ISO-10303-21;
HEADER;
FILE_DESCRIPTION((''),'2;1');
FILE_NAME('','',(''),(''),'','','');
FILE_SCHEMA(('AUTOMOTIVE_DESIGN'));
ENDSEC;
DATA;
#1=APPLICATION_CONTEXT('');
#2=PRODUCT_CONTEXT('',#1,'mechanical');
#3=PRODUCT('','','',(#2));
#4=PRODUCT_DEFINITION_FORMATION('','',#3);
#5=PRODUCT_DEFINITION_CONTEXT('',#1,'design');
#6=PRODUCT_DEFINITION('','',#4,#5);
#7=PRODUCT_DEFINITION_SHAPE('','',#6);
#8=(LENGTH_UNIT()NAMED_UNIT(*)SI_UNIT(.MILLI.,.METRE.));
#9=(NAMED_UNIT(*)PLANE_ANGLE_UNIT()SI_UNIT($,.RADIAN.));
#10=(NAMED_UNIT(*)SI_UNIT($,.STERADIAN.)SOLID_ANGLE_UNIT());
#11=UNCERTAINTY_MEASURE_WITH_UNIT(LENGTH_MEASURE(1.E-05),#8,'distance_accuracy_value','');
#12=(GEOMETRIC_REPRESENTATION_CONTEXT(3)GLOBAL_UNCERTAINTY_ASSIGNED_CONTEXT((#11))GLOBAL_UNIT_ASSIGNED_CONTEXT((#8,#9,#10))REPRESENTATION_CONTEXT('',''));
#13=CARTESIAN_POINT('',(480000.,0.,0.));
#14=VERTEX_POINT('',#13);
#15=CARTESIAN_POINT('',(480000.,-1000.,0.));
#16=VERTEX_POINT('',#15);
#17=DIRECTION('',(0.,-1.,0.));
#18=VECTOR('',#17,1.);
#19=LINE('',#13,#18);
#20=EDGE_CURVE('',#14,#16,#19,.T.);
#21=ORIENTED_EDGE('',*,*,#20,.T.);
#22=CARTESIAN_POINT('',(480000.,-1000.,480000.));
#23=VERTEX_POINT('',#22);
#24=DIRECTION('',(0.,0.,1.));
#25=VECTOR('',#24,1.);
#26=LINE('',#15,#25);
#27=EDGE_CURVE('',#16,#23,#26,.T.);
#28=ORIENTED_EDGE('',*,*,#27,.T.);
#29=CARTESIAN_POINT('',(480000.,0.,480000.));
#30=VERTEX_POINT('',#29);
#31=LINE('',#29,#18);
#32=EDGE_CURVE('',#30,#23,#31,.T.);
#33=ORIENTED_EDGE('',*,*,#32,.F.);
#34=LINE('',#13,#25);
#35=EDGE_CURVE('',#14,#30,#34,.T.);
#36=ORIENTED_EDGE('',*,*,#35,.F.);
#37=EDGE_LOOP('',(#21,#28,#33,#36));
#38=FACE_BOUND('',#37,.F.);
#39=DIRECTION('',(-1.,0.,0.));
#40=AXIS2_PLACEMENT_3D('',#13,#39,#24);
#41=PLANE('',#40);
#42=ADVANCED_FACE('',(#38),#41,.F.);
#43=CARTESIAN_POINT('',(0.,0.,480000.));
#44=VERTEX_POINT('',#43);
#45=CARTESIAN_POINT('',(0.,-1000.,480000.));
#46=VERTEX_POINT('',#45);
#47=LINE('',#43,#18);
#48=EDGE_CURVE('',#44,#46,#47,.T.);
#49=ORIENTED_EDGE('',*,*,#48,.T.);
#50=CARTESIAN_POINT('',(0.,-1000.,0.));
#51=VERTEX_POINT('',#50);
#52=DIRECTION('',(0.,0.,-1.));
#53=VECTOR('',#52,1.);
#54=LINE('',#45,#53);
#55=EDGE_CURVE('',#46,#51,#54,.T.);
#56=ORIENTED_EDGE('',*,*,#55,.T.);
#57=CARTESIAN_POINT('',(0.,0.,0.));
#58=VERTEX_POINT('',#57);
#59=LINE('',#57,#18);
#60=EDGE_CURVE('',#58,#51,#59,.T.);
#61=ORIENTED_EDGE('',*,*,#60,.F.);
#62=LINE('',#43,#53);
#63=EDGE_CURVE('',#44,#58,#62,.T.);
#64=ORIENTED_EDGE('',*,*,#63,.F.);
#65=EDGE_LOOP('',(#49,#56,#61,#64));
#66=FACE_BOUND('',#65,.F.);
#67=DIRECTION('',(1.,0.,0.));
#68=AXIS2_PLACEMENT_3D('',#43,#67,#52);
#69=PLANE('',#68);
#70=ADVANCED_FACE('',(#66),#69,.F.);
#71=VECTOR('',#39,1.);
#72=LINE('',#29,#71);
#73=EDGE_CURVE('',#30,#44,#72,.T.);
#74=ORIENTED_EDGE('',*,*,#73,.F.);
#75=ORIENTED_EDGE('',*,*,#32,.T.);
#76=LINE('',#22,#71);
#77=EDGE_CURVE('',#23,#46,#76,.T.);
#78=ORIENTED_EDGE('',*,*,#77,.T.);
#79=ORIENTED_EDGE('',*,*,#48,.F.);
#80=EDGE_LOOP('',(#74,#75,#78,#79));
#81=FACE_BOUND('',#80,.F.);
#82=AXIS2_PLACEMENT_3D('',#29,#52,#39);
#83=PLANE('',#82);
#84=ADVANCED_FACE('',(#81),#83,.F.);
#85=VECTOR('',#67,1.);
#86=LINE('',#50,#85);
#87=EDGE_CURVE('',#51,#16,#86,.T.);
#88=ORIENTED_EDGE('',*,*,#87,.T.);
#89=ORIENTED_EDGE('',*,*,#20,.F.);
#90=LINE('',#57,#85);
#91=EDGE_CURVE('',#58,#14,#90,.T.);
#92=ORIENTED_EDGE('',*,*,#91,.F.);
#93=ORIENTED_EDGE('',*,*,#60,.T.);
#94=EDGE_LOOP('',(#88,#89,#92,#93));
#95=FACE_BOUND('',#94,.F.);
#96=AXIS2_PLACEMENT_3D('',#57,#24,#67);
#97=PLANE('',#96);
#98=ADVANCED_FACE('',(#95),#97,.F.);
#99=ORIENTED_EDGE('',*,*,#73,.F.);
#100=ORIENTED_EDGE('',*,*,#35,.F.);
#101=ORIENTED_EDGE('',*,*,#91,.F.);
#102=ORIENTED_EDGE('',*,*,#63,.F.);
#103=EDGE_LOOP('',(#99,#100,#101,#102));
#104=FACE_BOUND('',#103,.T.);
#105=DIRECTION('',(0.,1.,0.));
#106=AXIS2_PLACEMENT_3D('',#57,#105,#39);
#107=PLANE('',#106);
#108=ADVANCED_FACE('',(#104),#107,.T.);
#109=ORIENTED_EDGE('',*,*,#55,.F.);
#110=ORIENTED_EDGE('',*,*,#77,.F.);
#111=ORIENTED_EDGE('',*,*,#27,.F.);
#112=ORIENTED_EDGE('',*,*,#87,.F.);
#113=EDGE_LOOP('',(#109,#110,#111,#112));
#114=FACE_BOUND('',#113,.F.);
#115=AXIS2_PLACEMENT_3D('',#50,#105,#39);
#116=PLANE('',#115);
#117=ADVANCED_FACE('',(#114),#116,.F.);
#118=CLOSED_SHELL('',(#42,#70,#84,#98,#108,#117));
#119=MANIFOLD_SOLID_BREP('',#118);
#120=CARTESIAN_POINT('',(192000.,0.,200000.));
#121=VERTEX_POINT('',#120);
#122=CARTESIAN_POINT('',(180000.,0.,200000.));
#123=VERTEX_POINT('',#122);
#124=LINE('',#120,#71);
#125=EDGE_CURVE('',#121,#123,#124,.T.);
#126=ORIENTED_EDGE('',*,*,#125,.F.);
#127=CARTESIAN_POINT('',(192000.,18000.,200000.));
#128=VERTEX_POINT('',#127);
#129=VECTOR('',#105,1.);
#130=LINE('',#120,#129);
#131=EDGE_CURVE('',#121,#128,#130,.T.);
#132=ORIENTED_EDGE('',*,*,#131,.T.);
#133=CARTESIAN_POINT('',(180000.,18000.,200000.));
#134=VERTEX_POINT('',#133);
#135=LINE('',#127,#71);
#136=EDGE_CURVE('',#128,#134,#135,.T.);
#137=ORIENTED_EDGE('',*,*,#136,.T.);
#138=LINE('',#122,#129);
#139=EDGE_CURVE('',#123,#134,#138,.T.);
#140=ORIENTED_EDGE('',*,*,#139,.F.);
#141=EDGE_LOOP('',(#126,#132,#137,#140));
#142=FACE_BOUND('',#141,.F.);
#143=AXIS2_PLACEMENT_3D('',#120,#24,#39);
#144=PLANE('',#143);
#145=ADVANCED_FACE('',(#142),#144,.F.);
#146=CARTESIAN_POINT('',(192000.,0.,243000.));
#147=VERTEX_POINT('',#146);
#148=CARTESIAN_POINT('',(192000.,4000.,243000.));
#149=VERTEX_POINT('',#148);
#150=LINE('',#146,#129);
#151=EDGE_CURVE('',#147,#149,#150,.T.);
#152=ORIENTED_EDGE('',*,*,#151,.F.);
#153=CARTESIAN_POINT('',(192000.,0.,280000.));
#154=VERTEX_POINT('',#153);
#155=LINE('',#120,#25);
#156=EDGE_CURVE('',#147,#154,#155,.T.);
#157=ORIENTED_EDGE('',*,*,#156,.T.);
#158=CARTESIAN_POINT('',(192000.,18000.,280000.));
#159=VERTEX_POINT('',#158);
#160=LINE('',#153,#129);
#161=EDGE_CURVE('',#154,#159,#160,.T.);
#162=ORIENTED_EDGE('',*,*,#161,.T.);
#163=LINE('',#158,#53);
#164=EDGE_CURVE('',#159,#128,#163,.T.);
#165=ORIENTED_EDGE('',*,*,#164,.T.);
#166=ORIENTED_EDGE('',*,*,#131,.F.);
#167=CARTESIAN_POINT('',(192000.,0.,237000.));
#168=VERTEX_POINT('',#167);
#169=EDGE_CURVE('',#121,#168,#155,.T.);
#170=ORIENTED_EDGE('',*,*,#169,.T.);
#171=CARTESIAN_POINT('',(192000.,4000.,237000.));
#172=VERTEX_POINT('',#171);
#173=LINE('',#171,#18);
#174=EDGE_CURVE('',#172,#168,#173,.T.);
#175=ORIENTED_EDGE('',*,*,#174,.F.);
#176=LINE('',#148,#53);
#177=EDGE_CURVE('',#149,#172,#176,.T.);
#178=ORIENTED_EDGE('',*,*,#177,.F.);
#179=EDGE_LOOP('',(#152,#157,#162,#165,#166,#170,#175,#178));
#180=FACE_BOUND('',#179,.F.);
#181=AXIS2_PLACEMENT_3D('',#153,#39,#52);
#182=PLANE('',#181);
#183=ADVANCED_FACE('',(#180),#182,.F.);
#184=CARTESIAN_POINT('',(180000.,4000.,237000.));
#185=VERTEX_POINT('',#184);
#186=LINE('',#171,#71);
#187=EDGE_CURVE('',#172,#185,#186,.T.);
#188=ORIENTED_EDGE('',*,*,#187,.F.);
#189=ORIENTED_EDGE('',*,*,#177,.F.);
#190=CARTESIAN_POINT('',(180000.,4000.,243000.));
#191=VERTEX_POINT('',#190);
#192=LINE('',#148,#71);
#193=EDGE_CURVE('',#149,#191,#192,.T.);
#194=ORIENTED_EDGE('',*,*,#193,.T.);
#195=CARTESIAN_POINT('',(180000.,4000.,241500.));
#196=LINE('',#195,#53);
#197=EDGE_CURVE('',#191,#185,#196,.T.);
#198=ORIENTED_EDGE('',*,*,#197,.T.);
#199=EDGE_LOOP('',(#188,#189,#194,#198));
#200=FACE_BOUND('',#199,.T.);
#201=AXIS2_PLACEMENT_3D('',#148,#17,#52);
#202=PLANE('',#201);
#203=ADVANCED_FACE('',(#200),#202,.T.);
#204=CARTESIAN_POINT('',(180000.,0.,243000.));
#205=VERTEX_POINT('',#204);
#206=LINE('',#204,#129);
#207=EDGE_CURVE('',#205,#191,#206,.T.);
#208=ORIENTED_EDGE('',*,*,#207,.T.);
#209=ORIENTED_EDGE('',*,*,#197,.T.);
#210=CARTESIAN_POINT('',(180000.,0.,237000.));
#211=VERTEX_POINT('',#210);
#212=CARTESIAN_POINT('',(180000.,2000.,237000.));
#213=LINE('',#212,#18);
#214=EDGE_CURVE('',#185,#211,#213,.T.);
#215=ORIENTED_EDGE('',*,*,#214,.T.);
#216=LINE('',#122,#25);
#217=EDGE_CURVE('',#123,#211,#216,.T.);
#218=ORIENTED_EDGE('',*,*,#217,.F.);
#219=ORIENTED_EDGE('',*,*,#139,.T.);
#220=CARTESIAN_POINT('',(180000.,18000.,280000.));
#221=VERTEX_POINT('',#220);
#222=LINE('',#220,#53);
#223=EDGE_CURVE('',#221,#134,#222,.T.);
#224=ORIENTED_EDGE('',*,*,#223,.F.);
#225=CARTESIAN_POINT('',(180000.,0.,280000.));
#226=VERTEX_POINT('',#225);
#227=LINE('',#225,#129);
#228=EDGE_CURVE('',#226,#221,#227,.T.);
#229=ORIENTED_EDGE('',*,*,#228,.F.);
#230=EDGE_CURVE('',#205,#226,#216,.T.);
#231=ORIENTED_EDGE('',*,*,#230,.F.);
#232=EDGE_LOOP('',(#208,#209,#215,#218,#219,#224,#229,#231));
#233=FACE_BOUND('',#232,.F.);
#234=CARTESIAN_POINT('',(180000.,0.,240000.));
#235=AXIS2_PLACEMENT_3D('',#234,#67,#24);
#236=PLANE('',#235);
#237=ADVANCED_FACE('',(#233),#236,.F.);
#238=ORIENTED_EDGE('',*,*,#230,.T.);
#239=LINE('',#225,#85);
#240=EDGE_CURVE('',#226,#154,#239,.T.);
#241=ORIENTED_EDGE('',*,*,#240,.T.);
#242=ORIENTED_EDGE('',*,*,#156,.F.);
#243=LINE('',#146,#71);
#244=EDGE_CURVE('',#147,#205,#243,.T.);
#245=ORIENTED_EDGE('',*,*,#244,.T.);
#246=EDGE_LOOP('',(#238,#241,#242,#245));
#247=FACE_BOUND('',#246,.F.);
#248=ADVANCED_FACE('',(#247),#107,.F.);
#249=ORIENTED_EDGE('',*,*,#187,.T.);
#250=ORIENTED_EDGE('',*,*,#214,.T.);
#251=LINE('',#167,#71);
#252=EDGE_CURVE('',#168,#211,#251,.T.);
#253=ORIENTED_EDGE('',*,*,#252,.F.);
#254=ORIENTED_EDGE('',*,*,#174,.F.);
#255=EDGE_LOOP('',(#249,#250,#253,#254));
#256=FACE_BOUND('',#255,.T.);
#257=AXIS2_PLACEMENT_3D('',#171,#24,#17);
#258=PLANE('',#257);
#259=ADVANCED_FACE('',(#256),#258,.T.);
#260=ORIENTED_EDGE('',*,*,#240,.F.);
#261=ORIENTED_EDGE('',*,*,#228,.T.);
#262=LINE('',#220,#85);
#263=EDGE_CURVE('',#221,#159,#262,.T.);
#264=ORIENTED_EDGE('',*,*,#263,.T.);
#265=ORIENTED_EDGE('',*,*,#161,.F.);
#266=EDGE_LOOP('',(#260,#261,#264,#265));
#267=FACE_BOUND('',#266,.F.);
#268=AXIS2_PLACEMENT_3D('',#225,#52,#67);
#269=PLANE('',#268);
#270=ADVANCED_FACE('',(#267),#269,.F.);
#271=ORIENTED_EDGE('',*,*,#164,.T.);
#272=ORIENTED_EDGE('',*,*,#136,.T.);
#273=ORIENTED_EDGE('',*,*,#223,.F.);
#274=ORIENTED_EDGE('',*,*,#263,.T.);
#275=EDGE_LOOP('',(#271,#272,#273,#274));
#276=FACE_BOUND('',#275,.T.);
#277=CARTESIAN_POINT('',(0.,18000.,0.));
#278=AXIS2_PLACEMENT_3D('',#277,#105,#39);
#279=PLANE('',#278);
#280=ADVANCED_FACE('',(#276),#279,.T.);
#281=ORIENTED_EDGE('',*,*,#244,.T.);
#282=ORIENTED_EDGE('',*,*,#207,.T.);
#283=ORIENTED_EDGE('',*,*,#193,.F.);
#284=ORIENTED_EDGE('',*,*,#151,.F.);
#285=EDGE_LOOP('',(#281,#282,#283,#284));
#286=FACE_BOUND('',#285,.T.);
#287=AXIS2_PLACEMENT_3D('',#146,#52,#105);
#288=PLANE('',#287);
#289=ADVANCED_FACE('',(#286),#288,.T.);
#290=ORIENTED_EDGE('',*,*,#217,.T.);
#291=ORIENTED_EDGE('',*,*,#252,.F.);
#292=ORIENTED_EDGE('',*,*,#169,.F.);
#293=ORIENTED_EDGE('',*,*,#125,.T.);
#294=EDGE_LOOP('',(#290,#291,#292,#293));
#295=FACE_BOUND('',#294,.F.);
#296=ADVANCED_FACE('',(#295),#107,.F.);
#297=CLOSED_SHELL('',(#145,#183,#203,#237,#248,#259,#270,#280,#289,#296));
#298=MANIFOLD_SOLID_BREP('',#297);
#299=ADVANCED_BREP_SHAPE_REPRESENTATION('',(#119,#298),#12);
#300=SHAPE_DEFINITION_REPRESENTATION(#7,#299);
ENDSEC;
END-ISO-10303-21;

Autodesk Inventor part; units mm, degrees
ref_plane "YZ Plane" through (0, 0, 0) normal (1, 0, 0) x (0, 1, 0)
ref_plane "XZ Plane" through (0, 0, 0) normal (0, 1, 0) x (-1, 0, 0)
ref_plane "XY Plane" through (0, 0, 0) normal (0, 0, 1) x (1, 0, 0)
sketch "Boceto8" plane through (0, 0, 0) normal (0, 1, 0) x (-1, 0, 0)
  line L0 (0, 0) -> (-480000, 0)
  line L1 (-480000, 0) -> (-480000, 480000)
  line L2 (-480000, 480000) -> (0, 480000)
  line L3 (0, 480000) -> (0, 0)
  dimension "d42" = 480000
  dimension "d43" = 480000
sketch "Boceto9" plane through (0, 0, 0) normal (0, 1, 0) x (-1, 0, 0)
  line L0 (-180000, 280000) -> (-192000, 280000)
  line L1 (-192000, 280000) -> (-192000, 200000)
  line L2 (-192000, 200000) -> (-180000, 200000)
  line L3 (-180000, 200000) -> (-180000, 280000)
  line L4 (-480000, 0) -> (-480000, 480000) projected
  line L5 (0, 480000) -> (0, 0) projected
  line L6 (-480000, 480000) -> (0, 480000) projected
  line L7 (0, 0) -> (-480000, 0) projected
  line L8 (0, 240000) -> (-480000, 240000)
  dimension "d44" = 12000
  dimension "d45" = 80000
  dimension "d61" = 180000
extrude "Extrusión7" add sketch "Boceto9" along normal blind 18000 contours L3 L8 L1 L0 | L3 L2 L1 L8
sketch "Boceto10" plane through (192000, 0, 280000) normal (1, 0, 0) x (0, 0, -1)
  line L0 (37000, 4000) -> (43000, 4000)
  line L1 (43000, 4000) -> (43000, 0)
  line L2 (43000, 0) -> (37000, 0)
  line L3 (37000, 0) -> (37000, 4000)
  line L4 (80000, 0) -> (0, 0) projected
  line L5 (40000, 0) -> (40000, 18049)
  line L6 (0, 0) -> (80000, 0) projected
  point P0 (280000, 0)
  dimension "d49" = 6000
  dimension "d50" = 4000
extrude "Extrusión8" cut sketch "Boceto10" against normal through all
extrude "Extrusión9" add sketch "Boceto8" against normal blind 1000 separate body
properties part number "Edificio individual"
